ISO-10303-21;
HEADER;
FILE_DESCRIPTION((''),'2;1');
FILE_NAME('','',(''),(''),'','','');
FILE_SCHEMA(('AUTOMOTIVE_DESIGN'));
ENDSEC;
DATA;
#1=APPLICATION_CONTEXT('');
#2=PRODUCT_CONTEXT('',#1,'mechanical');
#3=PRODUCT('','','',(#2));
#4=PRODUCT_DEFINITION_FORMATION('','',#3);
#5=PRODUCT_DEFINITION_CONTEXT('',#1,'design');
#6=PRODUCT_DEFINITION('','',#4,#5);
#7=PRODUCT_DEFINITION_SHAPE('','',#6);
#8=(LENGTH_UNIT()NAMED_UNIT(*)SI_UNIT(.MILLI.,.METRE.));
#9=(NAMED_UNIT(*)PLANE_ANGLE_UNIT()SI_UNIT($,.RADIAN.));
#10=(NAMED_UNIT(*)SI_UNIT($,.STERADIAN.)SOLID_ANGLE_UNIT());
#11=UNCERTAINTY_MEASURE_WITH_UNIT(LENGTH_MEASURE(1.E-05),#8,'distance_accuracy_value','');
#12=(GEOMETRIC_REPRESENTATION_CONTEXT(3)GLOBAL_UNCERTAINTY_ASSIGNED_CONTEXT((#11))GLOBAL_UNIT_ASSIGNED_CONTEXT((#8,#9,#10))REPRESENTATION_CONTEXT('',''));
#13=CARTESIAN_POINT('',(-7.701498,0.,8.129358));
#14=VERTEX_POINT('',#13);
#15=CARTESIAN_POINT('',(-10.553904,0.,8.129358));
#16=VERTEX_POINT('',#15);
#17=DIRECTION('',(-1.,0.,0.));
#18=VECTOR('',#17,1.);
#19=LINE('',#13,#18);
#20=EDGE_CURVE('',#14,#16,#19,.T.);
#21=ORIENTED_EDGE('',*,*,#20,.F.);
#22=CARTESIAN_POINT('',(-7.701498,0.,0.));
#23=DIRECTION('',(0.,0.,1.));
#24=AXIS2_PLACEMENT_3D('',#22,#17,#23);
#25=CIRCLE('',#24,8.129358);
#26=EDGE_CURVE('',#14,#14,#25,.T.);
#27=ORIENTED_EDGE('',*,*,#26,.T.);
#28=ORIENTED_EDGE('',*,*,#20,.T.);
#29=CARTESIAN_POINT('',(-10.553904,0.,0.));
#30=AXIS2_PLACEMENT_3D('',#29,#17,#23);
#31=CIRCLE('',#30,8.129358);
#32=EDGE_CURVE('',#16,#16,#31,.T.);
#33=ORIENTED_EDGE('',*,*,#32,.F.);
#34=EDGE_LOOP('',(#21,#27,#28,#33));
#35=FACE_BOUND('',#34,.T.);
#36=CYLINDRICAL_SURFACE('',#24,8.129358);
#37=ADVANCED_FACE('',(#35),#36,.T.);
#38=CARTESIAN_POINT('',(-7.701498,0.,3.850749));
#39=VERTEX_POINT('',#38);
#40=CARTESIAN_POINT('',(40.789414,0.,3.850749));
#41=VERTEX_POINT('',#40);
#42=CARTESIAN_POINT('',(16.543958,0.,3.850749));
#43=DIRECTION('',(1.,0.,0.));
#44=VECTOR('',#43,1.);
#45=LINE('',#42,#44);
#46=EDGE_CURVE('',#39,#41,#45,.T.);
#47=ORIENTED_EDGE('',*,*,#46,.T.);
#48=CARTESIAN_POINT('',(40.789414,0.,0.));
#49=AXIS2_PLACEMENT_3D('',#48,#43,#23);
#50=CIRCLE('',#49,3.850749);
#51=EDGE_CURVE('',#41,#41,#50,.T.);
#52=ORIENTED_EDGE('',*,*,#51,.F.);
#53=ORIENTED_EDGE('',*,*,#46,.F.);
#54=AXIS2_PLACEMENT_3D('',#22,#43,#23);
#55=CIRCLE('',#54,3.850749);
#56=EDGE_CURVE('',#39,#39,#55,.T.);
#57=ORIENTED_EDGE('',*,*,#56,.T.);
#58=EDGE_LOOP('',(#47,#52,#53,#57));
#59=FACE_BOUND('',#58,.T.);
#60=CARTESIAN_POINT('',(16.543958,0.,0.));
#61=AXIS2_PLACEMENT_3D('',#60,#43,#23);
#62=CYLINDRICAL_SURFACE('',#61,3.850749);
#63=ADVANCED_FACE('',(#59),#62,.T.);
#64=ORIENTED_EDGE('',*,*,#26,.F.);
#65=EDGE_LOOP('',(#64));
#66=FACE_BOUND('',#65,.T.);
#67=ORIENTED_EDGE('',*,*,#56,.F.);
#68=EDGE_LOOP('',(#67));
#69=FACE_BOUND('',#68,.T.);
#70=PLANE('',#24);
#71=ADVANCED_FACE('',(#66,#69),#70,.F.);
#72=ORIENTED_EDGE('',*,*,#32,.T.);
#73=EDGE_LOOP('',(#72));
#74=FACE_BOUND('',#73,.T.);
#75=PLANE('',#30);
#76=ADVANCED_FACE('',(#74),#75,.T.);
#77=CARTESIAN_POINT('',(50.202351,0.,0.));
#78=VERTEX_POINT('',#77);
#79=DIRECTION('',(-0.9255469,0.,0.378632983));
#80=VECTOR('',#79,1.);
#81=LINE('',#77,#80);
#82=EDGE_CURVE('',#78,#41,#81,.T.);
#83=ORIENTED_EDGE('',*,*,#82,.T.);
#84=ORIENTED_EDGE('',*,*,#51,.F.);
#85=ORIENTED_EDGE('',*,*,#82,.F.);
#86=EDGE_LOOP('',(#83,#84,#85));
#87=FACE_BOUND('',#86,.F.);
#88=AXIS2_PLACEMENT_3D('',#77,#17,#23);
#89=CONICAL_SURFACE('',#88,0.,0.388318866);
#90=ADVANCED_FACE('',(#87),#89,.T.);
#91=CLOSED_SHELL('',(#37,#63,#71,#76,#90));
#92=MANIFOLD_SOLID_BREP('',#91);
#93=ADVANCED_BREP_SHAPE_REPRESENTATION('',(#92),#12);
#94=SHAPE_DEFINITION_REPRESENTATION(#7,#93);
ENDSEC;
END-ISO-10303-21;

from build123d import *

# Parameters (mm, degrees)
F0_W = 48.4909121878
F0_H = 3.8507485297


with BuildPart() as f1:
    # F0 (on Front) → F1 (revolve)
    with BuildSketch(Plane.XZ):
        with Locations((16.5439581033, 1.9253742648)):
            Rectangle(F0_W, F0_H)
        Polygon((40.7894141972, 3.8507485297), (40.7894141972, 0), (50.2023510635, 0), align=None)
    revolve(axis=Axis((16.5439581033, 0, 0), (1, 0, 0)))

    # F0 (on Front) → F2 (revolve)
    with BuildSketch(Plane.XZ):
        Polygon((-10.5539038777, 0), (-7.7014979906, 0), (-7.7014979906, 3.8507485297), (-7.7014979906, 8.1293582916), (-10.5539038777, 8.1293582916), align=None)
    revolve(axis=Axis((-9.1277009342, 0, 0), (-1, 0, 0)))


solid = f1.part
